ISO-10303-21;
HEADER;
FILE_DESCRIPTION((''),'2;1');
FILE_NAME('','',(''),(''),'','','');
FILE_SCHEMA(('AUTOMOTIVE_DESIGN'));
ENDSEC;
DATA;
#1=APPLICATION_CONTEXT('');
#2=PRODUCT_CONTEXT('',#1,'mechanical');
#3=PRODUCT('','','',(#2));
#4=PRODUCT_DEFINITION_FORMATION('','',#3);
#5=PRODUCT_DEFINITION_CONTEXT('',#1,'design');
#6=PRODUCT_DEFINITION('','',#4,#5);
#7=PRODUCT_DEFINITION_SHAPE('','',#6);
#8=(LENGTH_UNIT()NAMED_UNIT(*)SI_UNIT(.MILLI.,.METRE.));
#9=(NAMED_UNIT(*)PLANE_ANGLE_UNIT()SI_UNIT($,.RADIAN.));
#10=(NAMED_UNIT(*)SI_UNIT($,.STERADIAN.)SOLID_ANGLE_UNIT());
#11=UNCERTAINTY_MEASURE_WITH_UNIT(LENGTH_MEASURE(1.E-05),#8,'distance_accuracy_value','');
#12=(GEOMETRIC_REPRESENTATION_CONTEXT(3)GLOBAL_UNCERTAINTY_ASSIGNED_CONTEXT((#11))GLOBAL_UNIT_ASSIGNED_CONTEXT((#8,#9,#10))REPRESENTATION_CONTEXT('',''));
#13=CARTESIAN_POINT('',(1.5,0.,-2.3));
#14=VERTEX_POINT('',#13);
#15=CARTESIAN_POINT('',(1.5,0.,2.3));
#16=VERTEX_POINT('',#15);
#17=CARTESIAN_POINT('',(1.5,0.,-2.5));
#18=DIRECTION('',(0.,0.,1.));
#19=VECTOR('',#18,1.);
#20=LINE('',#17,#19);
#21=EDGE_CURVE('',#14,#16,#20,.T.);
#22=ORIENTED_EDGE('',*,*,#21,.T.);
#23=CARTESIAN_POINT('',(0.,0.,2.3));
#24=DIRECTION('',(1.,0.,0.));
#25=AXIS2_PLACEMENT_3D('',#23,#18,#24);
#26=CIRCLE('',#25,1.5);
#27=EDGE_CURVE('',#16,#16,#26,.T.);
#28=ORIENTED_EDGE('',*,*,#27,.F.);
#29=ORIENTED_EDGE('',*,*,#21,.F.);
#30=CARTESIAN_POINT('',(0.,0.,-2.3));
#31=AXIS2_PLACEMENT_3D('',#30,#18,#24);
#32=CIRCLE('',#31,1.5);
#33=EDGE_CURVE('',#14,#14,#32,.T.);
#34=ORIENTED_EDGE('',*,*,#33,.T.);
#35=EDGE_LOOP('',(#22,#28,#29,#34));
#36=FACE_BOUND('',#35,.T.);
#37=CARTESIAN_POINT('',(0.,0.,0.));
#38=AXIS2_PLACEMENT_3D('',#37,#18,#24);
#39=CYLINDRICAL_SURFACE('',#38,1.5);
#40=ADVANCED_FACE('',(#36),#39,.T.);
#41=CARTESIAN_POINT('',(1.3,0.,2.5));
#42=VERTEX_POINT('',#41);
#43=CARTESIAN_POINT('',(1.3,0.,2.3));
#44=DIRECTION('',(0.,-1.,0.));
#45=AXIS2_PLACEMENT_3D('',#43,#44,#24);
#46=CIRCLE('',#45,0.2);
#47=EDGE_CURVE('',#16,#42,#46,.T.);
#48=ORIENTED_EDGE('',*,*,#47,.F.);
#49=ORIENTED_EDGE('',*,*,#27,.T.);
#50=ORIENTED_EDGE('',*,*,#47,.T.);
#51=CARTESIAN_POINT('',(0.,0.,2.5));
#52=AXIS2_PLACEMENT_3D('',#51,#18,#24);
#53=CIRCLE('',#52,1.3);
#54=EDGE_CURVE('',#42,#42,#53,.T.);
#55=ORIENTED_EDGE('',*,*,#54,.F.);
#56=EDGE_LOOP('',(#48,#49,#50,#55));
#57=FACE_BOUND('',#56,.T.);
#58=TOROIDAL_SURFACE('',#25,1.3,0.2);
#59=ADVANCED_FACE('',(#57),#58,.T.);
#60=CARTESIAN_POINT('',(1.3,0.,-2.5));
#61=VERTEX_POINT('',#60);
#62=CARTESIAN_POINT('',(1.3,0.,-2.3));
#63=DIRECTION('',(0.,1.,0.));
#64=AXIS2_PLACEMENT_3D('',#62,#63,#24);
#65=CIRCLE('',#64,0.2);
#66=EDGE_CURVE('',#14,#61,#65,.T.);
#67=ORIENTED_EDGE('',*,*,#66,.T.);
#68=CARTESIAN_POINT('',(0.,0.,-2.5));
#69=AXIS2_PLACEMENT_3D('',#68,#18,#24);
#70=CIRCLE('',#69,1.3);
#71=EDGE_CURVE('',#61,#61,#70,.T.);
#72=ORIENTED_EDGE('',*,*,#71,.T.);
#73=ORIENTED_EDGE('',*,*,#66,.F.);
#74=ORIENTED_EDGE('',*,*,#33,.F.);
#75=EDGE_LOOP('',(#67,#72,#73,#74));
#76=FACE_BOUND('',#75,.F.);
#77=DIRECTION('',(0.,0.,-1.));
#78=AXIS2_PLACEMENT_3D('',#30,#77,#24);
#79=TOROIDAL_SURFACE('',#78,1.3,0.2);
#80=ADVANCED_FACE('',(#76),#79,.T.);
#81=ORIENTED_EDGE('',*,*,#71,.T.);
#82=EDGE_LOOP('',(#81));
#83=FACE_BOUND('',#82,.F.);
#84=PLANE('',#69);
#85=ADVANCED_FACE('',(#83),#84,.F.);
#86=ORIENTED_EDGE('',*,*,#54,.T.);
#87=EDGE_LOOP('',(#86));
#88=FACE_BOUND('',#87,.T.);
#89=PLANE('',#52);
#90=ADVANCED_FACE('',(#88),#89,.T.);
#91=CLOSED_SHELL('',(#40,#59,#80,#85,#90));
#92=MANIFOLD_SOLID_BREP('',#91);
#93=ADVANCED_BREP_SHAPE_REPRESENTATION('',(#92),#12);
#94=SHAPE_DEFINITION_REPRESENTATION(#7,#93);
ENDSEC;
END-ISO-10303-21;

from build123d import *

# Parameters (mm, degrees)
SKETCH_R  = 1.5
PAD_DEPTH = 2.5
FILLET_R  = 0.2


with BuildPart() as part:
    # Sketch (on XY_Plane of Origin) → Pad (new body, symmetric)
    with BuildSketch(Plane.XY):
        Circle(SKETCH_R)
    extrude(amount=PAD_DEPTH, both=True)

    # Fillet
    fillet_edges = [part.edges().sort_by_distance(p)[0] for p in [
        (-1.5, 0, 2.5),
        (-1.5, 0, -2.5),
    ]]
    fillet(fillet_edges, radius=FILLET_R)


solid = part.part
